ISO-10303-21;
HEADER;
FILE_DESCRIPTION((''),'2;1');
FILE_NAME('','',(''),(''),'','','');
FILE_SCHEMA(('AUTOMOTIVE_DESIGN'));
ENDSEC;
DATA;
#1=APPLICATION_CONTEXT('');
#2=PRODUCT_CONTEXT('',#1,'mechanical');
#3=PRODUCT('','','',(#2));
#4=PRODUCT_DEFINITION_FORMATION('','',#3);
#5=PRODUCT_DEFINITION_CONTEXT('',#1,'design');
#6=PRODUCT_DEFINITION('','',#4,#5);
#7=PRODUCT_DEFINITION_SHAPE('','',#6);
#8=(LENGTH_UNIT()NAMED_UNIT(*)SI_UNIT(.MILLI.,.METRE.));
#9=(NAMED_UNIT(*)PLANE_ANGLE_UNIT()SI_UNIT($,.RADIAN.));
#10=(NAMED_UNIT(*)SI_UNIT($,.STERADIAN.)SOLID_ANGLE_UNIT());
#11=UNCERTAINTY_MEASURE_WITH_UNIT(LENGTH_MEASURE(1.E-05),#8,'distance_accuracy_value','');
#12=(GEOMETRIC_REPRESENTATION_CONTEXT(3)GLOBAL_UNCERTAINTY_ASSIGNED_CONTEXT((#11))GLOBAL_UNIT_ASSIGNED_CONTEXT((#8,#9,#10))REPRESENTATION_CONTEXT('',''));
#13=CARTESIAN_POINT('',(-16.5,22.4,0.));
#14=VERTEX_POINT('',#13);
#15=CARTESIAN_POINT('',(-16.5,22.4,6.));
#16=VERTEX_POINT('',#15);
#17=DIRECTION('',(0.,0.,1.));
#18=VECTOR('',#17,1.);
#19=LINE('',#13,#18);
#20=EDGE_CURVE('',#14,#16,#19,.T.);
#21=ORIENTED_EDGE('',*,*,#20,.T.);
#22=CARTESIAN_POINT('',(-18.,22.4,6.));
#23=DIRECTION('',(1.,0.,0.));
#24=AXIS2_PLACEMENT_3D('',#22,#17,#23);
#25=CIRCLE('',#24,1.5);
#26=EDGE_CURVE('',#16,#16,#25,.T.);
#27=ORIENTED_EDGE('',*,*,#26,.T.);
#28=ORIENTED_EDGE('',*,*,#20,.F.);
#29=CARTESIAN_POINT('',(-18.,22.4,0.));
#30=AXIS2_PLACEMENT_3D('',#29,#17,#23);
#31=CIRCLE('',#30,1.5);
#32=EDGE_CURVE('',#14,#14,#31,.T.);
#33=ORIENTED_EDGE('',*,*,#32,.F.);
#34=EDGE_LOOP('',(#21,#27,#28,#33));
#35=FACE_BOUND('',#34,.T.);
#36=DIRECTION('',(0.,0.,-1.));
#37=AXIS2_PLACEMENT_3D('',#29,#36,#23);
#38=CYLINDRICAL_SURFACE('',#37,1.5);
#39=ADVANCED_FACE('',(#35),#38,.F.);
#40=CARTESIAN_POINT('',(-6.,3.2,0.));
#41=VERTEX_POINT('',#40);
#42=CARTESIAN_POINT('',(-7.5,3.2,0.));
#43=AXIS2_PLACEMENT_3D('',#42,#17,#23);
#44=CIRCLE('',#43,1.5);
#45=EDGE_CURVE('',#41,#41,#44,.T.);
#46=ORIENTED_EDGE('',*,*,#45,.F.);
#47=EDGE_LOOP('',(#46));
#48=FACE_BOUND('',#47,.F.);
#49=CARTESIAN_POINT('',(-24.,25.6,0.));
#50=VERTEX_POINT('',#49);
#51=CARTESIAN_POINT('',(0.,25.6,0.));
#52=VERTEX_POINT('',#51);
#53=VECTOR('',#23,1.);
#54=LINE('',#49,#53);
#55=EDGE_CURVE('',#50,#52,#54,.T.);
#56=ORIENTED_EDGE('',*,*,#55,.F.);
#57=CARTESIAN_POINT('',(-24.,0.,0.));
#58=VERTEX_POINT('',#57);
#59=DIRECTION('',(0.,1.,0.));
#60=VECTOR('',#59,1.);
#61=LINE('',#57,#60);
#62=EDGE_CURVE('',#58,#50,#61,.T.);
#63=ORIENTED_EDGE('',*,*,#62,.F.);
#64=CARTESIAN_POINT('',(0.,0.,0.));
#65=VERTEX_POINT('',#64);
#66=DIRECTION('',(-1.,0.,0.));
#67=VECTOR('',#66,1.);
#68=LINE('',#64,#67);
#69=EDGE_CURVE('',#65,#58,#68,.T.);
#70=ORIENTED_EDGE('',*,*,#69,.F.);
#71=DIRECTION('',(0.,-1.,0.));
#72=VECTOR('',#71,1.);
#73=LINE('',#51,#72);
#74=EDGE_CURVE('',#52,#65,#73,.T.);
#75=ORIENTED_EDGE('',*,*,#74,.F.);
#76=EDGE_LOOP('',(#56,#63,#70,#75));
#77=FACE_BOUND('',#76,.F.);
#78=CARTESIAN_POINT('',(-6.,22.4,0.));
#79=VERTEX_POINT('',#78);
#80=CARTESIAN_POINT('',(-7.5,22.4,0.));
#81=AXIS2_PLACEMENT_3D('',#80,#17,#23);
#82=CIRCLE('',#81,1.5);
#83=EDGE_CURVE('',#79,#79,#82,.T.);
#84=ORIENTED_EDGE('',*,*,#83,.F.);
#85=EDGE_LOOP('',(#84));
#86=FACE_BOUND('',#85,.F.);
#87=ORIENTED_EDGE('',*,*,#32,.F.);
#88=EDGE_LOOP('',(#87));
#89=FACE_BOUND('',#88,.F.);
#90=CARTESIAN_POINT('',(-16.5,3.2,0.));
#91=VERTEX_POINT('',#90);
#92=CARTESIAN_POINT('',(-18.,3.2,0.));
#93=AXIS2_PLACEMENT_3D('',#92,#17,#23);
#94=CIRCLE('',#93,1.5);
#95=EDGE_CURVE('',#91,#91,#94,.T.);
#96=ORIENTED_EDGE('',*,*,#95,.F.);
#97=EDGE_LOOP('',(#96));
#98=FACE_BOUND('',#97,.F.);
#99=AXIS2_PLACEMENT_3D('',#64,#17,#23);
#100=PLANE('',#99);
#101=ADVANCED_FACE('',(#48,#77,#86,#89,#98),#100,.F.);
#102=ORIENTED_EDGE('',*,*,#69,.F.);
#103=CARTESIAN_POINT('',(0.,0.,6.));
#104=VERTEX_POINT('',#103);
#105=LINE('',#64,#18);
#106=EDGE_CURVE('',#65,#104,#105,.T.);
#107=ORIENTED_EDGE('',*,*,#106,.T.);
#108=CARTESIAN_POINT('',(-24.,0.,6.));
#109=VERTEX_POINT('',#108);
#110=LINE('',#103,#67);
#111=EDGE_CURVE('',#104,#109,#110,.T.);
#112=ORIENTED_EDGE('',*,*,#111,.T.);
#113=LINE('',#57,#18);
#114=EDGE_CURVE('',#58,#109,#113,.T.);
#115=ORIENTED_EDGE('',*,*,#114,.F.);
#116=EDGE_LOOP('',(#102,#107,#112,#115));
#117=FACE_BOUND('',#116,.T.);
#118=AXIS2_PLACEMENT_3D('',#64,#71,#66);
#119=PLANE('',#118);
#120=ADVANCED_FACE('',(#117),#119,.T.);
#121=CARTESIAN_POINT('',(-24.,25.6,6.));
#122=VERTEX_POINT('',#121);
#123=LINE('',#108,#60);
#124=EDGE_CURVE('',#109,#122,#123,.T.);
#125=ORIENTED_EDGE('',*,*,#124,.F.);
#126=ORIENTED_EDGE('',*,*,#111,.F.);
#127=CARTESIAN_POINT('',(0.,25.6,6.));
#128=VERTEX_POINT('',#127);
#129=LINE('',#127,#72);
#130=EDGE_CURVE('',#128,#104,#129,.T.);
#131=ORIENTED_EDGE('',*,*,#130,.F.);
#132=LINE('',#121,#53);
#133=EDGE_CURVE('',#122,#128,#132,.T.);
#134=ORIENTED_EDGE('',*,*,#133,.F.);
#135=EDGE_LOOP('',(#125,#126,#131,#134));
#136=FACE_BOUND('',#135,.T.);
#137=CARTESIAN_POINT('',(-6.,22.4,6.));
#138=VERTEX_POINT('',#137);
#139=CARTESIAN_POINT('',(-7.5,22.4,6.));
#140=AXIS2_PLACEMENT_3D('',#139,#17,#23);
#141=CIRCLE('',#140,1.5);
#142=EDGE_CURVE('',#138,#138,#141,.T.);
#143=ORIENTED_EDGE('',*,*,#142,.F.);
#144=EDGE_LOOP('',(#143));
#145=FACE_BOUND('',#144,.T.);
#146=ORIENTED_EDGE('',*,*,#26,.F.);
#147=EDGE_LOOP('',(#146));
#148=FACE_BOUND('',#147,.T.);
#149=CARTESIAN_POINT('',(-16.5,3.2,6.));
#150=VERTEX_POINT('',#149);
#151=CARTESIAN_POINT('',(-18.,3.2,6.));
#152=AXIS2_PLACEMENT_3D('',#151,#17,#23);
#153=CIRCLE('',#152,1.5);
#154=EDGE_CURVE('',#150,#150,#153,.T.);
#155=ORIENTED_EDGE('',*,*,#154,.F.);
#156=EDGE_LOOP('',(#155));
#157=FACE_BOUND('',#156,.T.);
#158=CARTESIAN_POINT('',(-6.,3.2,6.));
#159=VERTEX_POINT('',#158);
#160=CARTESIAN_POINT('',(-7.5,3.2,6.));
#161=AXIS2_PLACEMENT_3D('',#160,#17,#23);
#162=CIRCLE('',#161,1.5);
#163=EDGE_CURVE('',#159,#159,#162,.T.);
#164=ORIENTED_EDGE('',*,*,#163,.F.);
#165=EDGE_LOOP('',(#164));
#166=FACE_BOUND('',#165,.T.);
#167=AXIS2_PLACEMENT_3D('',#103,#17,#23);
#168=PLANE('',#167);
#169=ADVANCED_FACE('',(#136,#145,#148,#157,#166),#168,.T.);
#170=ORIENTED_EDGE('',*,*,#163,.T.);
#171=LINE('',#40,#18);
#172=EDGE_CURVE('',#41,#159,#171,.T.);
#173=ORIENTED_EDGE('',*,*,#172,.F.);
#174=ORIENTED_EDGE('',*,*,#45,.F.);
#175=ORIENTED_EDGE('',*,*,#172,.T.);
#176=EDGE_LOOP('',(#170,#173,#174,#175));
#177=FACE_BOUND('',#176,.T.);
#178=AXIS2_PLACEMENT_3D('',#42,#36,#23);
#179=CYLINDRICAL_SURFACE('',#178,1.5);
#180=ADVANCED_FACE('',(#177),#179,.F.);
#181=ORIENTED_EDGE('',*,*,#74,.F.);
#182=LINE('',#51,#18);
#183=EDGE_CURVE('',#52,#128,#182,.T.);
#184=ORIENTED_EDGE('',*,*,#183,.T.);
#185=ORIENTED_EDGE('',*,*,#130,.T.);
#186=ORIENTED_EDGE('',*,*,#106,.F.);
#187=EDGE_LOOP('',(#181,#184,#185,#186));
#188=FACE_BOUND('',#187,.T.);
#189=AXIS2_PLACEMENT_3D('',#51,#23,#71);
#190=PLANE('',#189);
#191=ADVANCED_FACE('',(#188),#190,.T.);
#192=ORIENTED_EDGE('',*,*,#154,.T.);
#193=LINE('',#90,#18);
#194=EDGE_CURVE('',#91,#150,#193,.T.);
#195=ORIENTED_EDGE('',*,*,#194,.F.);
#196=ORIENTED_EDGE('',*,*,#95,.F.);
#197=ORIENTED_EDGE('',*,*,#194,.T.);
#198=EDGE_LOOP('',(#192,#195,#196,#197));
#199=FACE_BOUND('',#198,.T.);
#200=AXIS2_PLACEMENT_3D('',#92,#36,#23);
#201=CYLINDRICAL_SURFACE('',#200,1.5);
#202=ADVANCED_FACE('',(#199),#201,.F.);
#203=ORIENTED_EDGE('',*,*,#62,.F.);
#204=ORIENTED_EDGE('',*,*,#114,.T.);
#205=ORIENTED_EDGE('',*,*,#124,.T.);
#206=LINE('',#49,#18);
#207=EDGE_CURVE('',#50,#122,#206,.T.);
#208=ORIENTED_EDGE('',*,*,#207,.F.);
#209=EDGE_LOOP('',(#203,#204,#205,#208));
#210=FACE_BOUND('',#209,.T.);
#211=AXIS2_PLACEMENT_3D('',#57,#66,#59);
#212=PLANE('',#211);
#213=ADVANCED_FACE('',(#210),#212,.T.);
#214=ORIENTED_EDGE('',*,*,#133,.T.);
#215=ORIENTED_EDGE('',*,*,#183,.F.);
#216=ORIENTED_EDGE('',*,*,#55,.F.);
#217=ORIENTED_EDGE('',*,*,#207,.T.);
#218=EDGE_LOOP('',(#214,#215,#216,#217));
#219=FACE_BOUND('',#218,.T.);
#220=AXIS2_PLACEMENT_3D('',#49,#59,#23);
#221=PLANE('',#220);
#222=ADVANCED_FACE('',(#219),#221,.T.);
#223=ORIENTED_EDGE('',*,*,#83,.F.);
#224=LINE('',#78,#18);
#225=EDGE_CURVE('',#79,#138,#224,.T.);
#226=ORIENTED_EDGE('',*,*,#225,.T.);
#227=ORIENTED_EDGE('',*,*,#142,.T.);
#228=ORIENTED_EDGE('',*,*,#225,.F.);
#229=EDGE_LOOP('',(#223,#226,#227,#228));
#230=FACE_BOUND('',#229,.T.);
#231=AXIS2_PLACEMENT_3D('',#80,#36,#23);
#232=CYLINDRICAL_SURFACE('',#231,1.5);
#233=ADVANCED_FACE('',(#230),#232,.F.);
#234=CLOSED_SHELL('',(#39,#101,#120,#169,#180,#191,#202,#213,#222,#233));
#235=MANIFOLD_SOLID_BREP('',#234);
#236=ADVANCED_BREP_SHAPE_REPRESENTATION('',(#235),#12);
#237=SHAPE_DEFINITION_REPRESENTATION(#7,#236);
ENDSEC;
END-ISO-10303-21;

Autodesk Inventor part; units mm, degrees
ref_plane "YZ Plane" through (0, 0, 0) normal (1, 0, 0) x (0, 1, 0)
ref_plane "XZ Plane" through (0, 0, 0) normal (0, 1, 0) x (-1, 0, 0)
ref_plane "XY Plane" through (0, 0, 0) normal (0, 0, 1) x (1, 0, 0)
sketch "Sketch1" plane through (0, 0, 0) normal (0, 0, 1) x (1, 0, 0)
  circle A0 centre (-7.5, 22.4) radius 1.5
  circle A1 centre (-7.5, 3.2) radius 1.5
  circle A2 centre (-18, 3.2) radius 1.5
  circle A3 centre (-18, 22.4) radius 1.5
  line L0 (0, 0) -> (-24, 0)
  line L1 (0, 25.6) -> (0, 0)
  line L2 (-24, 25.6) -> (0, 25.6)
  line L3 (-24, 0) -> (-24, 25.6)
extrude "Extrusion1" add sketch "Sketch1" along normal blind 6
properties part number "yCarBeltTensionerHolder"
